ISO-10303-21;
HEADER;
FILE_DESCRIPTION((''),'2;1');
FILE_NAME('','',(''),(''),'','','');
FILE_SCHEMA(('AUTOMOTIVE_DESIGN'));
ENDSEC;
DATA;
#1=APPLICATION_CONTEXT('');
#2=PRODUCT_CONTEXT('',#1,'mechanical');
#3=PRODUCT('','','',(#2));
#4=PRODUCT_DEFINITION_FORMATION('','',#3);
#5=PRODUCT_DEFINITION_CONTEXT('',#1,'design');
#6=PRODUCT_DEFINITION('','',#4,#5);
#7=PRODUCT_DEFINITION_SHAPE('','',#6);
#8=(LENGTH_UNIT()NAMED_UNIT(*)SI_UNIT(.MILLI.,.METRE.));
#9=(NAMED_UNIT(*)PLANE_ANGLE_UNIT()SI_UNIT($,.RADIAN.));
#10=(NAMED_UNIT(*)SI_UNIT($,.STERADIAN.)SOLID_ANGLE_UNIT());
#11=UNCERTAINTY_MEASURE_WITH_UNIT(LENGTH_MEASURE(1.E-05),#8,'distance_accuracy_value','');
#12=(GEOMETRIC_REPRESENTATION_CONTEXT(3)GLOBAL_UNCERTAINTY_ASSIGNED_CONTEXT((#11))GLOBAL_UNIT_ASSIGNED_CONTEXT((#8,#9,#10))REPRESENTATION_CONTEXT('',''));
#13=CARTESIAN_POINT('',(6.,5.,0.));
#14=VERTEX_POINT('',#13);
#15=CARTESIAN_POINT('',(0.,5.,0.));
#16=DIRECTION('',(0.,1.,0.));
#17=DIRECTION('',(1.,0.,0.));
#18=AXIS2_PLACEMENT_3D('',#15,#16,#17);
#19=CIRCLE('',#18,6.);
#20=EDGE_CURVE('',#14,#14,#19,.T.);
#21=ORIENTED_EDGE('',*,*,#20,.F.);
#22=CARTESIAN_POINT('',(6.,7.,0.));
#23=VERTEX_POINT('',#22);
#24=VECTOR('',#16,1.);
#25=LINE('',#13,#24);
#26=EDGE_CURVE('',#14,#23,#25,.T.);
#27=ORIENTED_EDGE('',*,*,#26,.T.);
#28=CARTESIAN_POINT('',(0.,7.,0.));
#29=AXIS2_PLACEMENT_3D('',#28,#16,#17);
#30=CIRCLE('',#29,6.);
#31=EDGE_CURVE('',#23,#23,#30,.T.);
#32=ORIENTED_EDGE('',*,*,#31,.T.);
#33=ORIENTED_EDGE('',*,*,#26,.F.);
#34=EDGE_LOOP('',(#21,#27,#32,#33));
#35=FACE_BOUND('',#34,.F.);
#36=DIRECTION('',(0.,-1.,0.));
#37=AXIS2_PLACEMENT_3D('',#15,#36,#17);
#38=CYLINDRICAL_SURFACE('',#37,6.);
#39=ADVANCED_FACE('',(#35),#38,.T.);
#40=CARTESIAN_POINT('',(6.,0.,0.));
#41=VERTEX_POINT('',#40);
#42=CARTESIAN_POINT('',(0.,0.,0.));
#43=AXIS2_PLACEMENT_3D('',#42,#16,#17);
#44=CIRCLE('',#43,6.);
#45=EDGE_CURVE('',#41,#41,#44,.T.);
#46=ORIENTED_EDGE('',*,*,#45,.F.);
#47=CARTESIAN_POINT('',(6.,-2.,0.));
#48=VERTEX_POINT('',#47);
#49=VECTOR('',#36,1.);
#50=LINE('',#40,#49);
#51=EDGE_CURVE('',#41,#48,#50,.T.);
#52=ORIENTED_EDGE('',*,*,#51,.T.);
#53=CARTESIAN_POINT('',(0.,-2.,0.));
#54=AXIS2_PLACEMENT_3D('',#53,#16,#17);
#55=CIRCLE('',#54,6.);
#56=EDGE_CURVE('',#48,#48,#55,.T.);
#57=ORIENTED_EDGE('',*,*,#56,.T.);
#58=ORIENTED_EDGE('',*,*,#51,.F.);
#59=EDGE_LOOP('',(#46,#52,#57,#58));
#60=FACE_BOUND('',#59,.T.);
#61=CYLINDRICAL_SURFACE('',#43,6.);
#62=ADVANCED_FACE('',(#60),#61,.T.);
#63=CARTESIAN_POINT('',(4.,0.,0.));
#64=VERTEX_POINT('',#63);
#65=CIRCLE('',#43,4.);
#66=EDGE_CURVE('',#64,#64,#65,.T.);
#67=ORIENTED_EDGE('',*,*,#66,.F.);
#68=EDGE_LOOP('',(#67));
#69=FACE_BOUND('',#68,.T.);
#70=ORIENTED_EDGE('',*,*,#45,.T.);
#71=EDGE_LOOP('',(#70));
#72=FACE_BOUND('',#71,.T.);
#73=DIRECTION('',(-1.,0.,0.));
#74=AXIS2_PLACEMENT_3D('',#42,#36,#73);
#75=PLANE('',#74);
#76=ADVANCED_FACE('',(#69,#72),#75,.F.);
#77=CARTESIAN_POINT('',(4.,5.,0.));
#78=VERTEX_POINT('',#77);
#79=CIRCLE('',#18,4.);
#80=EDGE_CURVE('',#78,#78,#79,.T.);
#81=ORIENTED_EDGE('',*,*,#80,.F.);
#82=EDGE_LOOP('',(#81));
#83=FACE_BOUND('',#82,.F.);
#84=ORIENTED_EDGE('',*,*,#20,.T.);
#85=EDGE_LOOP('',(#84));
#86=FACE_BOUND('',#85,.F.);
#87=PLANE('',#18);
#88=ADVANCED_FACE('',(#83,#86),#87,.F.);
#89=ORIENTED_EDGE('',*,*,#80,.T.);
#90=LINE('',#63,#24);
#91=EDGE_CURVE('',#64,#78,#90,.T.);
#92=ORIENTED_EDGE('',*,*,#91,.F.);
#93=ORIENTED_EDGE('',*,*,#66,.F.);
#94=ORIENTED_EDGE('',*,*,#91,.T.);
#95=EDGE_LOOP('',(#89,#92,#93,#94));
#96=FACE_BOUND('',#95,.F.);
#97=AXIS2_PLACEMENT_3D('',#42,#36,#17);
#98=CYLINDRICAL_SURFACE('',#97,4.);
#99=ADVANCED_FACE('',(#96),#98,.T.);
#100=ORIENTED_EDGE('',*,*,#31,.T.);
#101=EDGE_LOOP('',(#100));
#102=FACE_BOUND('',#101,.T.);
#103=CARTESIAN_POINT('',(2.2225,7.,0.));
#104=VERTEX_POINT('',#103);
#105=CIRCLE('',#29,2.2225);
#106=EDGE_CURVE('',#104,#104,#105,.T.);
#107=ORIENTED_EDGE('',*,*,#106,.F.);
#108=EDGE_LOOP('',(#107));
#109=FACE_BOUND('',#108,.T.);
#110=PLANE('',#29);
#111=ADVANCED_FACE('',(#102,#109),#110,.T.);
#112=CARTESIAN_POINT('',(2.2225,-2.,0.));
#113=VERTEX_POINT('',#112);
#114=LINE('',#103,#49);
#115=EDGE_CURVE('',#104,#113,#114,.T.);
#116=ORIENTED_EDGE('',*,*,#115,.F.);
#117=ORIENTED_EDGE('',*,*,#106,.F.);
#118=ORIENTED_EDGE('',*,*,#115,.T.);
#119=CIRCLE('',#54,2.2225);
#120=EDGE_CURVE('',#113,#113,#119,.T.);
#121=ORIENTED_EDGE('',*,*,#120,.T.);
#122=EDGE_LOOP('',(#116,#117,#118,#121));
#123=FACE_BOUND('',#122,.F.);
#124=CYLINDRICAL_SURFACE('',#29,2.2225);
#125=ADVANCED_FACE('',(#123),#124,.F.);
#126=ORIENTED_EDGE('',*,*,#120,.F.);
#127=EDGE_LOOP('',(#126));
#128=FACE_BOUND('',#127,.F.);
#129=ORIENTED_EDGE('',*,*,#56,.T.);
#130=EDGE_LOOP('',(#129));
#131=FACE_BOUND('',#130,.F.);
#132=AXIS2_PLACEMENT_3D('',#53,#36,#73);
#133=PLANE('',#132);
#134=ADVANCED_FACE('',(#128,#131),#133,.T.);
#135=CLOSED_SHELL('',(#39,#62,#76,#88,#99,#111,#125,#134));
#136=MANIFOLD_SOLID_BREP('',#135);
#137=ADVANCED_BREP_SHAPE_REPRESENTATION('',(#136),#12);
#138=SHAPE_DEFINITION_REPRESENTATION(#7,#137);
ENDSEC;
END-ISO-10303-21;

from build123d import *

# Parameters (mm, degrees)
SKETCH1_R           = 4
BOSS_EXTRUDE1_DEPTH = 5
SKETCH2_R           = 6
BOSS_EXTRUDE2_DEPTH = 2
SKETCH3_R           = 2.2225
CUT_EXTRUDE1_DEPTH  = 10


with BuildPart() as part:
    # Sketch1 → Boss-Extrude1 (new body)
    with BuildSketch(Plane(origin=(0, 0, 0), x_dir=(1, 0, 0), z_dir=(0, 1, 0))):
        Circle(SKETCH1_R)
    extrude(amount=BOSS_EXTRUDE1_DEPTH)

    # Sketch2 → Boss-Extrude2 (add)
    with BuildSketch(Plane(origin=(0, 5, 0), x_dir=(1, 0, 0), z_dir=(0, 1, 0))):
        Circle(SKETCH2_R)
    boss_extrude2 = extrude(amount=BOSS_EXTRUDE2_DEPTH)

    # Mirror1: Boss-Extrude2 across plane
    add(boss_extrude2.mirror(Plane(origin=(0, 2.5, 0), x_dir=(0, 0, 1), z_dir=(0, -1, 0))))

    # Sketch3 → Cut-Extrude1 (cut, through all)
    with BuildSketch(Plane(origin=(0, 7, 0), x_dir=(1, 0, 0), z_dir=(0, 1, 0))):
        Circle(SKETCH3_R)
    extrude(amount=-CUT_EXTRUDE1_DEPTH, mode=Mode.SUBTRACT)


solid = part.part
